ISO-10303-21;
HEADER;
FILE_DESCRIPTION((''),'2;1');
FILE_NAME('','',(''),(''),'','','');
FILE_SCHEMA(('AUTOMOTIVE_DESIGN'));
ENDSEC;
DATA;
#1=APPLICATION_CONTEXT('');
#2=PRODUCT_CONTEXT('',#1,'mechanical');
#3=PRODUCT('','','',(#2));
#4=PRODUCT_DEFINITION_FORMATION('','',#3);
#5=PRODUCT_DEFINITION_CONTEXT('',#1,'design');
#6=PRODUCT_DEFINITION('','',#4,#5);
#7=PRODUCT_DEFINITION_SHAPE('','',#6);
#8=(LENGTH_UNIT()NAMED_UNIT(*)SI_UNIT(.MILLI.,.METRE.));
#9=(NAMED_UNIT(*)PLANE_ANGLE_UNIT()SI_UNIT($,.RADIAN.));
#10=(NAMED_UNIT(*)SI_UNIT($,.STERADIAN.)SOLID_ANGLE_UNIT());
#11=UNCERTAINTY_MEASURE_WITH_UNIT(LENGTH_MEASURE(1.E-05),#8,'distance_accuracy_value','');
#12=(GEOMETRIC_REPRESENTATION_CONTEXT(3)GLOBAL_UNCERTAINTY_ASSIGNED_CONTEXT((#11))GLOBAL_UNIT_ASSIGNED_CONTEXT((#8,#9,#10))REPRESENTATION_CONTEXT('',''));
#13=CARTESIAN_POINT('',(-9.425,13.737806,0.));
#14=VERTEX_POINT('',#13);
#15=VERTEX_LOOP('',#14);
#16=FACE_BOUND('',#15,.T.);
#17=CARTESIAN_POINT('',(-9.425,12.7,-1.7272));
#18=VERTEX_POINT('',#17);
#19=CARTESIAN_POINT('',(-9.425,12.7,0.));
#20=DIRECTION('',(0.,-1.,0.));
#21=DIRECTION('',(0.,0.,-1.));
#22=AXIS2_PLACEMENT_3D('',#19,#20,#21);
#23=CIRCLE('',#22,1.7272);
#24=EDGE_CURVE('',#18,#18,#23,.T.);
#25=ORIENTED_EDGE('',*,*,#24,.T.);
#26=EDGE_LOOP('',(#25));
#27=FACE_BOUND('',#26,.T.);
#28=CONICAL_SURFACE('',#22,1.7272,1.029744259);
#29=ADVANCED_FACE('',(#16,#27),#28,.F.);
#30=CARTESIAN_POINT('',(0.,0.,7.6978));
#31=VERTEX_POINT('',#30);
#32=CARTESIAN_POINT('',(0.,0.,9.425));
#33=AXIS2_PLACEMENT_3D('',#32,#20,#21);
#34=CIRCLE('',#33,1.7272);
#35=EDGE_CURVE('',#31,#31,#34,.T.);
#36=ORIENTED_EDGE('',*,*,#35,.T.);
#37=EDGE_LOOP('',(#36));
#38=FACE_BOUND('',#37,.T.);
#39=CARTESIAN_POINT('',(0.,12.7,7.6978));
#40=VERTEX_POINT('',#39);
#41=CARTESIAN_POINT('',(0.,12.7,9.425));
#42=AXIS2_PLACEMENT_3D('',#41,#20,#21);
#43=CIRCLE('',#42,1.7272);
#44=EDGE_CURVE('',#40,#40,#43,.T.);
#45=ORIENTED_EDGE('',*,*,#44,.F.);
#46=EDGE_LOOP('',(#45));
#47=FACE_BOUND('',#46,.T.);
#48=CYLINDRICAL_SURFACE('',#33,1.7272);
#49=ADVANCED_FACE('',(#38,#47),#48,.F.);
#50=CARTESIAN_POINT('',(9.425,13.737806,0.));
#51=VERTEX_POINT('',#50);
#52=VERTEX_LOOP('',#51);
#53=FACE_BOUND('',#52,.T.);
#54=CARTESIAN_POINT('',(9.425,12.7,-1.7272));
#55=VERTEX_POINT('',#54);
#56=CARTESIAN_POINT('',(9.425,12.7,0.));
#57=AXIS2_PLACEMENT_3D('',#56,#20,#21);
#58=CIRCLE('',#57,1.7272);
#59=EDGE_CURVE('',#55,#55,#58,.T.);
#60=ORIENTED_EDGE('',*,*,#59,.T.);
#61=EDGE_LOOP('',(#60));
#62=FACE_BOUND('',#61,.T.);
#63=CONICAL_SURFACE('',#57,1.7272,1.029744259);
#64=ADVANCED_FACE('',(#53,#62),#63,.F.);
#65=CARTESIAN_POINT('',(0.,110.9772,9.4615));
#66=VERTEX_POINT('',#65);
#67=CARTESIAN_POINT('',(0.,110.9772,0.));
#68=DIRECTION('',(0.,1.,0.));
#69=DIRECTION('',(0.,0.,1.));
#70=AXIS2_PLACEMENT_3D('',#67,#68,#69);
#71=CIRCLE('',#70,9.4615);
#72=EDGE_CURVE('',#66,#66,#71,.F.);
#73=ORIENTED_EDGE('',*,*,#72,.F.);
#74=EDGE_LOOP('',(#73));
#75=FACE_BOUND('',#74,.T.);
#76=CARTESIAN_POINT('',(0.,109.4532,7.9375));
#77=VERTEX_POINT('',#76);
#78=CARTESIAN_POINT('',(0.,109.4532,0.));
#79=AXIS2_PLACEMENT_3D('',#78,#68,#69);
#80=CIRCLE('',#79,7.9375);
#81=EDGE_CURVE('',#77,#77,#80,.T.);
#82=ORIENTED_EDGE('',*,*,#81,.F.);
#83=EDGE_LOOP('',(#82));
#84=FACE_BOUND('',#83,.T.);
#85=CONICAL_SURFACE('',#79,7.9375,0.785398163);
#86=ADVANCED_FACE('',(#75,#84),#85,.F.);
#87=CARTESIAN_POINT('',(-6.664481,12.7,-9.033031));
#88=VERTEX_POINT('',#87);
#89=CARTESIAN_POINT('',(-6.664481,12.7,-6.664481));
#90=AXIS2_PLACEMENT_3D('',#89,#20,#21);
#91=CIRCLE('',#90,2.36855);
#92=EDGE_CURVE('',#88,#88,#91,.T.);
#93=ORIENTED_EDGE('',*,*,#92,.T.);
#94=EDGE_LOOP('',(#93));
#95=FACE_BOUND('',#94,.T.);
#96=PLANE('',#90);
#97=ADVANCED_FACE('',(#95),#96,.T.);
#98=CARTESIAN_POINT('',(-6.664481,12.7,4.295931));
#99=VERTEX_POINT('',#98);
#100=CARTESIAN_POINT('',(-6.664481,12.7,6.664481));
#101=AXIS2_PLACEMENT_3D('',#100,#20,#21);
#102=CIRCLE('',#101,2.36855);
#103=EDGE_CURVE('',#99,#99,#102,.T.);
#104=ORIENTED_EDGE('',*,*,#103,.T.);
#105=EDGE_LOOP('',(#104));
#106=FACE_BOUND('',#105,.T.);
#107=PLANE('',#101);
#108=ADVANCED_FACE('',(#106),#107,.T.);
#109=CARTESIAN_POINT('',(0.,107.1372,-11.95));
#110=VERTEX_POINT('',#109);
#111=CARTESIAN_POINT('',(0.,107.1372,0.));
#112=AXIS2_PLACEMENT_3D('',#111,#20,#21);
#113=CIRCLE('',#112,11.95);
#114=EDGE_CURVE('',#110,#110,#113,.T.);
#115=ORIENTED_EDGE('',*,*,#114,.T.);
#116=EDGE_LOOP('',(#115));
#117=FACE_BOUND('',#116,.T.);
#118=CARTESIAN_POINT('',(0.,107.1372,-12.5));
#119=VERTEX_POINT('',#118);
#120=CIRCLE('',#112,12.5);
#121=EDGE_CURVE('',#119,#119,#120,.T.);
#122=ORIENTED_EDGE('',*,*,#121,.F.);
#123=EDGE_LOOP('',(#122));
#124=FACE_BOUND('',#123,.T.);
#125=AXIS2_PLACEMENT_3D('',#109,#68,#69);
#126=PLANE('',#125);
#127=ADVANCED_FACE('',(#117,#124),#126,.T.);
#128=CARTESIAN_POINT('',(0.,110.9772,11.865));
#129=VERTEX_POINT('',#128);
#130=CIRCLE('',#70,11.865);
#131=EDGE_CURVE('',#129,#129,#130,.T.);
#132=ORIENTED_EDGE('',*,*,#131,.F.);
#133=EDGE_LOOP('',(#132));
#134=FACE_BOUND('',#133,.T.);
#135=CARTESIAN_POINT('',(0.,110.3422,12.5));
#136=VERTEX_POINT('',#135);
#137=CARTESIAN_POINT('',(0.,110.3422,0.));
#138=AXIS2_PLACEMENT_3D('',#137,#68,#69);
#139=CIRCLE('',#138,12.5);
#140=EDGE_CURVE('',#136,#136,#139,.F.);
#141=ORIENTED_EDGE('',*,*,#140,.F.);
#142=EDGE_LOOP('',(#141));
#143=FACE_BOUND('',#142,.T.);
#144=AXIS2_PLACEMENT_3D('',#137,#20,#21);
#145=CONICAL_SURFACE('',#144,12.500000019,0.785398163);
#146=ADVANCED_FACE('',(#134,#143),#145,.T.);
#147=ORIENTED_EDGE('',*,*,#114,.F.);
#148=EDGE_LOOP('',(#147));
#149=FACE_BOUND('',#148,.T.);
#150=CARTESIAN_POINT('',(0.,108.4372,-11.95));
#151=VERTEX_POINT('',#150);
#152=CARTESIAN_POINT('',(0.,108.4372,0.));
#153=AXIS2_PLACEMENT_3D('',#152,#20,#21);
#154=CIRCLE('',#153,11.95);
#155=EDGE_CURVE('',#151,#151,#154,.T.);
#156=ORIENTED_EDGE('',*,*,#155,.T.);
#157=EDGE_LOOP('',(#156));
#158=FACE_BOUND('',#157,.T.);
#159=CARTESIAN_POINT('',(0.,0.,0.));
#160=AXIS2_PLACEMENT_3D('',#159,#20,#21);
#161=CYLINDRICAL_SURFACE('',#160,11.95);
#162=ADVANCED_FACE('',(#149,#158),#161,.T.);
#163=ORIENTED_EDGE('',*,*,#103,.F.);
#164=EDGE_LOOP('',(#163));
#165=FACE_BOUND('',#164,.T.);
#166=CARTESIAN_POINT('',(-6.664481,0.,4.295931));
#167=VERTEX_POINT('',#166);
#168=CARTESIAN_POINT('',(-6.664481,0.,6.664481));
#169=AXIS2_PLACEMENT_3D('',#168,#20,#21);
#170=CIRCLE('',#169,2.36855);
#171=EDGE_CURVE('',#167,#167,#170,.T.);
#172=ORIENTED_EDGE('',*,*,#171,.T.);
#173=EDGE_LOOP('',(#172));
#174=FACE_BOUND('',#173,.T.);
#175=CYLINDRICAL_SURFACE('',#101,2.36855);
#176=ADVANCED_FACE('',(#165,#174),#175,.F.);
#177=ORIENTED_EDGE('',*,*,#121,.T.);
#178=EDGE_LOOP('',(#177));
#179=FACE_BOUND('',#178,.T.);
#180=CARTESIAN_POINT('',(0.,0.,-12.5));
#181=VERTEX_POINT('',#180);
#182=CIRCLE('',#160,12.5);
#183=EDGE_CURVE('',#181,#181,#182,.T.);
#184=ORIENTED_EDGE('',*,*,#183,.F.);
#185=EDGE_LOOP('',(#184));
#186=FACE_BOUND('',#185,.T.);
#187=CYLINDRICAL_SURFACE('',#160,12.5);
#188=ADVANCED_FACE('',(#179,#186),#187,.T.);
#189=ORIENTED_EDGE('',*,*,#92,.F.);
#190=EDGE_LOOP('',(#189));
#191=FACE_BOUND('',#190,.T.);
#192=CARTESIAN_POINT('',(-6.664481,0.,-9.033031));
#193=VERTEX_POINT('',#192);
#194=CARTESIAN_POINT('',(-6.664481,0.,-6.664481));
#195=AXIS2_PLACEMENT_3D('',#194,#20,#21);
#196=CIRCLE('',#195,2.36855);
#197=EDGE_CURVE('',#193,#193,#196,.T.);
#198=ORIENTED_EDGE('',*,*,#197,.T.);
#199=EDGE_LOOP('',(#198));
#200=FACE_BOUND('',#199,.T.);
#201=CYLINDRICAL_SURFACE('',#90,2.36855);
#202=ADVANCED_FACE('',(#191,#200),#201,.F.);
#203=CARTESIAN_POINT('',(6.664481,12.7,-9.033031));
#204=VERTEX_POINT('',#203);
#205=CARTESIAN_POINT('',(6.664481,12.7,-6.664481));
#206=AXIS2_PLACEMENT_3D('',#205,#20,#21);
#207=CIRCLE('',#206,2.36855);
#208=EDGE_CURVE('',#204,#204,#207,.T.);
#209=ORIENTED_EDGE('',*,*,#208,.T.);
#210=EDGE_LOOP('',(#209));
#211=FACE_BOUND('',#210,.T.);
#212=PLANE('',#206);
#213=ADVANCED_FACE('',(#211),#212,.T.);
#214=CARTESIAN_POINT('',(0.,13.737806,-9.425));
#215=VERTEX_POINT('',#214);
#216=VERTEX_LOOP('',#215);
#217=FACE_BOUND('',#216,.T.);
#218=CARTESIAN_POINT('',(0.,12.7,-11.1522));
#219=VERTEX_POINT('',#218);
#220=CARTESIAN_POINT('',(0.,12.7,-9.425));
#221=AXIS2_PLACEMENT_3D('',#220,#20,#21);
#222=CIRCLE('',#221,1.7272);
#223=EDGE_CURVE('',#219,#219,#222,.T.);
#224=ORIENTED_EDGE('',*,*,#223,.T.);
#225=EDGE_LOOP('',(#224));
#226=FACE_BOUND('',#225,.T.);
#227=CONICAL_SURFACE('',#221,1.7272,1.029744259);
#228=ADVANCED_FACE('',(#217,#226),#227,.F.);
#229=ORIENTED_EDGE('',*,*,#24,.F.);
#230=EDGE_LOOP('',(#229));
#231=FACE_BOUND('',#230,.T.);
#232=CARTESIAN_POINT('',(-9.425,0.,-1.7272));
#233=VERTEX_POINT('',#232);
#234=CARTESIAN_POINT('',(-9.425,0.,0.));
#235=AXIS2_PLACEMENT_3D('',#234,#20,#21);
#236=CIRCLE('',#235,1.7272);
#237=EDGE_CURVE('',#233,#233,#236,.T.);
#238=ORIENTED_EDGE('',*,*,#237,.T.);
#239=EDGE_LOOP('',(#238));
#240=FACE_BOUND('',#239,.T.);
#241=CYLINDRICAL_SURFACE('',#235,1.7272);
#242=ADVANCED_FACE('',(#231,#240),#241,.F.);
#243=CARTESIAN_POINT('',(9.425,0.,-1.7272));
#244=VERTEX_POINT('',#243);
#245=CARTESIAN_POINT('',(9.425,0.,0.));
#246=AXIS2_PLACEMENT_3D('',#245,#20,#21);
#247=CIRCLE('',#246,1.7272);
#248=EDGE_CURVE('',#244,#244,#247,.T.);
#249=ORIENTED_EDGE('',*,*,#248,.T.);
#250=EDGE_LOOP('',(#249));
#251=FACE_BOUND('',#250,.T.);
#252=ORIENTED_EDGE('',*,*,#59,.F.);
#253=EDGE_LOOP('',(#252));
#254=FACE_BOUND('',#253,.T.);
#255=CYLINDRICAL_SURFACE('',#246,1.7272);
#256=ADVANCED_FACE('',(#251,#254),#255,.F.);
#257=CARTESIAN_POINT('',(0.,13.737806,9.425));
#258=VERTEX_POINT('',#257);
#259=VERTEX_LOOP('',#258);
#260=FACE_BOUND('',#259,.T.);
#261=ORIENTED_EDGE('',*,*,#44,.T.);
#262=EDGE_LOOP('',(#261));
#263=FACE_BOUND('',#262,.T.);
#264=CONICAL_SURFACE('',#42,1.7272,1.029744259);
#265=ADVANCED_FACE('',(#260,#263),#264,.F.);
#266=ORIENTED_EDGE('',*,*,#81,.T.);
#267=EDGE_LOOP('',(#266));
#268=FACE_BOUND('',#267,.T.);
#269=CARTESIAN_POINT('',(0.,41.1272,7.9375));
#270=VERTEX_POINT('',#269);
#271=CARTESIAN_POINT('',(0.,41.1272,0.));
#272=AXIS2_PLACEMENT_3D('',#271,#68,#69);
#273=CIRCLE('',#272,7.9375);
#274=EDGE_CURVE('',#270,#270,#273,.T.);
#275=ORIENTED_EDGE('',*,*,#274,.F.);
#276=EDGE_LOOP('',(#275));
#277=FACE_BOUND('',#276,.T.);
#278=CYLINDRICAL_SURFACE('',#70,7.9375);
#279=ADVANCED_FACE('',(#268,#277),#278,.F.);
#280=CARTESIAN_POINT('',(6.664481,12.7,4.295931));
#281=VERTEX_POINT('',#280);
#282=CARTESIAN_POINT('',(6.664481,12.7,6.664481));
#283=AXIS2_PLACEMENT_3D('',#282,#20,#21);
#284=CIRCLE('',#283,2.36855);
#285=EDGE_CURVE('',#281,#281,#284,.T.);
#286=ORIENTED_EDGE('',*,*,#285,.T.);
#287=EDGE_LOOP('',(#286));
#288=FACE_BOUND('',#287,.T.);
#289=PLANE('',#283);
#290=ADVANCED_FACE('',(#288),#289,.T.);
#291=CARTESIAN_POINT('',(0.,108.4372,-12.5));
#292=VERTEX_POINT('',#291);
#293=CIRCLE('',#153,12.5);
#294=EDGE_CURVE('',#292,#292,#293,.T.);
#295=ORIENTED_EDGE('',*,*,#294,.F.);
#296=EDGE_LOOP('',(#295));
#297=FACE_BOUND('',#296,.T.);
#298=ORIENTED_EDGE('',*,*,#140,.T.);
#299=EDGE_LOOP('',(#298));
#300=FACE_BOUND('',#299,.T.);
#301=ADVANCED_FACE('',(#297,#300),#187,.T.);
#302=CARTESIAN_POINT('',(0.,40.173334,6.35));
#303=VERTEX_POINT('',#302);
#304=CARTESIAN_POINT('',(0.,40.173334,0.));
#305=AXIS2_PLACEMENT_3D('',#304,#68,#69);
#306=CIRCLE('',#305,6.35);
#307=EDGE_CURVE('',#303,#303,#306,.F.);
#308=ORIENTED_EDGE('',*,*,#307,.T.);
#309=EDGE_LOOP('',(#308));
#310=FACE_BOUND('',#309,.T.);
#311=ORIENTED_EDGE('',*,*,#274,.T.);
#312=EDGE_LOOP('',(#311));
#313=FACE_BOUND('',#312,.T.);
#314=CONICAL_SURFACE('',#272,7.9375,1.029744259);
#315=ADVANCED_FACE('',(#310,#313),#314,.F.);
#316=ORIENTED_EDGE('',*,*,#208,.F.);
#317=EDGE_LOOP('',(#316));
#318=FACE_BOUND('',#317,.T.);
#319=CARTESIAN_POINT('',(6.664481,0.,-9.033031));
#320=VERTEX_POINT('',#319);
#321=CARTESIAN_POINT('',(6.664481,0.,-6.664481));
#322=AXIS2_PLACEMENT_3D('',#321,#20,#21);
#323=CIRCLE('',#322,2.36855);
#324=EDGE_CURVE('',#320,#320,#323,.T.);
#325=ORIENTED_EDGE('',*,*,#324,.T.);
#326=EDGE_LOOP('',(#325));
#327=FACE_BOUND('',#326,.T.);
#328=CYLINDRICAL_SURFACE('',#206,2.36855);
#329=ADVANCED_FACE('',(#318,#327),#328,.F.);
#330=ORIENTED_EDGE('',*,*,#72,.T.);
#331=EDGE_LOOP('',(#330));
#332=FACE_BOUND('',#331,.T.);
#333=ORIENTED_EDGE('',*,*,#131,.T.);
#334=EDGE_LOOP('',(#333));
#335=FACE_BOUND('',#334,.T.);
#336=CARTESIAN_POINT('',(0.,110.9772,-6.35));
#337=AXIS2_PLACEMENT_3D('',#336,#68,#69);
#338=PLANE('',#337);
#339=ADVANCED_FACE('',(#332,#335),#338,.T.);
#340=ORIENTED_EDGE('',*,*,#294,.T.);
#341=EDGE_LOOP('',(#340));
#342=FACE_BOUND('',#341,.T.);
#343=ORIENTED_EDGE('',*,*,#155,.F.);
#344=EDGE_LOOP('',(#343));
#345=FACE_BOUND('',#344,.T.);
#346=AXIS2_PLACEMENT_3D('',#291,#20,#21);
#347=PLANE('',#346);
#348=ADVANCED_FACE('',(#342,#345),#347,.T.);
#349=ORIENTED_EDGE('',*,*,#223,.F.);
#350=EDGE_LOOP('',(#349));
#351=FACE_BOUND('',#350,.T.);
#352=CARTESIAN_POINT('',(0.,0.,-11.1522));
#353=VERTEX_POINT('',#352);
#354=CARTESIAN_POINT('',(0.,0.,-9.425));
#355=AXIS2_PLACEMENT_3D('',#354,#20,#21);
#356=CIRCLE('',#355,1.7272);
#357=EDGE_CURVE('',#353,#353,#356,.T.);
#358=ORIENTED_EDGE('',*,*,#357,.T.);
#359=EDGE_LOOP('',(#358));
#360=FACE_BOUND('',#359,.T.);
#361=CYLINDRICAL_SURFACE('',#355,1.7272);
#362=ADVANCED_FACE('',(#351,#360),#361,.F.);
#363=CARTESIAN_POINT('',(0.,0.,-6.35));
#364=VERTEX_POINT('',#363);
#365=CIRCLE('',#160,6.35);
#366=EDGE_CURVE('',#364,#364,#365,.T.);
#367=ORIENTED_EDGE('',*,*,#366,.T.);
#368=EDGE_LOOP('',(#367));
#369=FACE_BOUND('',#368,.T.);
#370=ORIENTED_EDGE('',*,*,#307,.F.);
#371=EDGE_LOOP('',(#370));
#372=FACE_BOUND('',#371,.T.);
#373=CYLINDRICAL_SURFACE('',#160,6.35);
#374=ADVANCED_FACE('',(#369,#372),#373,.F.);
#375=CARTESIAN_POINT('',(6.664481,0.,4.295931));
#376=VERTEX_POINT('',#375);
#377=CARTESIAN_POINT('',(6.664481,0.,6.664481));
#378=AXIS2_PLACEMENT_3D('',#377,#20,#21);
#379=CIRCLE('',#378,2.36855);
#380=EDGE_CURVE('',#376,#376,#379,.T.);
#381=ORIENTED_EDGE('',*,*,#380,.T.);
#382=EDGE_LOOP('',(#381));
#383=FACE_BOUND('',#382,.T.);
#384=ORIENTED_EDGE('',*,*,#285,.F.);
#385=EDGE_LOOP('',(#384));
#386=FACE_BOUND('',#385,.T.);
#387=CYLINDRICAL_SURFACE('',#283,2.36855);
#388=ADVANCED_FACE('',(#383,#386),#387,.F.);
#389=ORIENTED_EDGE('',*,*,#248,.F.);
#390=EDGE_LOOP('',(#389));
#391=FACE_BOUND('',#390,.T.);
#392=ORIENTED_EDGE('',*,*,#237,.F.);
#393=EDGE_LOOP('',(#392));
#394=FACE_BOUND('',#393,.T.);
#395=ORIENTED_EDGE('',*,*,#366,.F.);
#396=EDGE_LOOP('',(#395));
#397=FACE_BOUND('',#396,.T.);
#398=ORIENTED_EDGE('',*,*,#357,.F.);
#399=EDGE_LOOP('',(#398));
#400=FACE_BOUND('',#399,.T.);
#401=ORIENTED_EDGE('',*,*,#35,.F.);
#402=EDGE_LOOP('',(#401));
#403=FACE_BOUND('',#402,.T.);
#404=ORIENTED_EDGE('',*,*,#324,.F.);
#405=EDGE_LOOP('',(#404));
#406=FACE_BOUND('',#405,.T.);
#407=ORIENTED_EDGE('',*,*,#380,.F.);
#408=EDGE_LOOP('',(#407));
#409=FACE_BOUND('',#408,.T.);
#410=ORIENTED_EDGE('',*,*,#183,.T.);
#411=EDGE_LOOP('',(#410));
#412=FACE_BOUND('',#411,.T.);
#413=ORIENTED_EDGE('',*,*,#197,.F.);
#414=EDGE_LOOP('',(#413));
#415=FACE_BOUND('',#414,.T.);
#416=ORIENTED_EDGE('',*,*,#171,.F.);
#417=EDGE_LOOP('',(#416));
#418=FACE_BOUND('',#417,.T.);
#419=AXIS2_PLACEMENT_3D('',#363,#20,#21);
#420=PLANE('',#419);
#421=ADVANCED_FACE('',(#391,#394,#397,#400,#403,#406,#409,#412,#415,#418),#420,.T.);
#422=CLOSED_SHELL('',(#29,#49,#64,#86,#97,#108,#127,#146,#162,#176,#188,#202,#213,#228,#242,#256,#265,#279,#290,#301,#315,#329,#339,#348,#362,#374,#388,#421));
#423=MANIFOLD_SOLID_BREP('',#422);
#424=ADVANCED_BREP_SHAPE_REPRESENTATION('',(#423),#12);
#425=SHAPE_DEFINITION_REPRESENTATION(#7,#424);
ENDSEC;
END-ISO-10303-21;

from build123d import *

# Parameters (mm, degrees)
F_5_8_0_625_DIAMETER_HOLE1_D     = 15.875
F_5_8_0_625_DIAMETER_HOLE1_DEPTH = 69.85
F_5_8_0_625_DIAMETER_HOLE1_TIP   = 4.769331164
CHAMFER1_SIZE                    = 0.635
F_8_32_TAPPED_HOLE1_D            = 3.4544
F_8_32_TAPPED_HOLE1_DEPTH        = 12.7
F_8_32_TAPPED_HOLE1_TIP          = 1.037806461
SKETCH8_R                        = 2.368549992
SKETCH8_R_2                      = 2.368549996
SKETCH8_R_3                      = 2.368550008
SKETCH8_R_4                      = 2.368550004
CUT_EXTRUDE1_DEPTH               = 12.7
CHAMFER2_SIZE                    = 1.524


with BuildPart() as part:
    # Sketch1 → Revolve1 (revolve)
    with BuildSketch(Plane(origin=(0, 0, 0), x_dir=(0, 0, -1), z_dir=(1, 0, 0))):
        Polygon((12.500000019, 108.43719994), (11.949999976, 108.43719994), (11.949999976, 107.1372), (12.500000019, 107.1372), (12.500000019, 0), (6.35, 0), (6.35, 110.97719994), (12.500000019, 110.97719994), align=None)
    revolve(axis=Axis((0, 0, 0), (0, 1, 0)))

    # 5/8 (0.625) Diameter Hole1
    with Locations(Plane(origin=(0, 110.97719994, 0), x_dir=(1, 0, 0), z_dir=(0, 1, 0))):
        with Locations((0, 0)):
            Hole(F_5_8_0_625_DIAMETER_HOLE1_D / 2, depth=F_5_8_0_625_DIAMETER_HOLE1_DEPTH)
            with Locations((0, 0, -(F_5_8_0_625_DIAMETER_HOLE1_DEPTH + F_5_8_0_625_DIAMETER_HOLE1_TIP / 2))):  # 118° drill point
                Cone(0, F_5_8_0_625_DIAMETER_HOLE1_D / 2, F_5_8_0_625_DIAMETER_HOLE1_TIP, mode=Mode.SUBTRACT)

    # Chamfer1
    chamfer1_edges = [part.edges().sort_by_distance(p)[0] for p in [
        (0, 110.97719994, 12.500000019),
    ]]
    chamfer(chamfer1_edges, length=CHAMFER1_SIZE)

    # #8-32 Tapped Hole1
    with Locations(Plane(origin=(0, 0, 0), x_dir=(-1, 0, 0), z_dir=(0, -1, 0))):
        with Locations((9.42500001, 0), (0, -9.42500001), (-9.42500001, 0), (0, 9.42500001)):
            Hole(F_8_32_TAPPED_HOLE1_D / 2, depth=F_8_32_TAPPED_HOLE1_DEPTH)
            with Locations((0, 0, -(F_8_32_TAPPED_HOLE1_DEPTH + F_8_32_TAPPED_HOLE1_TIP / 2))):  # 118° drill point
                Cone(0, F_8_32_TAPPED_HOLE1_D / 2, F_8_32_TAPPED_HOLE1_TIP, mode=Mode.SUBTRACT)

    # Sketch8 → Cut-Extrude1 (cut)
    with BuildSketch(Plane.XZ):
        with Locations(Location((6.664481419, 6.664481419, 0), (0, 0, 270))):
            Circle(SKETCH8_R)
        with Locations(Location((6.664481419, -6.664481419, 0), (0, 0, 270))):
            Circle(SKETCH8_R_2)
        with Locations(Location((-6.664481419, -6.664481419, 0), (0, 0, 270))):
            Circle(SKETCH8_R_3)
        with Locations(Location((-6.664481419, 6.664481419, 0), (0, 0, 270))):
            Circle(SKETCH8_R_4)
    extrude(amount=-CUT_EXTRUDE1_DEPTH, mode=Mode.SUBTRACT)

    # Chamfer2
    chamfer2_edges = [part.edges().sort_by_distance(p)[0] for p in [
        (7.9375, 110.97719994, 0),
    ]]
    chamfer(chamfer2_edges, length=CHAMFER2_SIZE)


solid = part.part
